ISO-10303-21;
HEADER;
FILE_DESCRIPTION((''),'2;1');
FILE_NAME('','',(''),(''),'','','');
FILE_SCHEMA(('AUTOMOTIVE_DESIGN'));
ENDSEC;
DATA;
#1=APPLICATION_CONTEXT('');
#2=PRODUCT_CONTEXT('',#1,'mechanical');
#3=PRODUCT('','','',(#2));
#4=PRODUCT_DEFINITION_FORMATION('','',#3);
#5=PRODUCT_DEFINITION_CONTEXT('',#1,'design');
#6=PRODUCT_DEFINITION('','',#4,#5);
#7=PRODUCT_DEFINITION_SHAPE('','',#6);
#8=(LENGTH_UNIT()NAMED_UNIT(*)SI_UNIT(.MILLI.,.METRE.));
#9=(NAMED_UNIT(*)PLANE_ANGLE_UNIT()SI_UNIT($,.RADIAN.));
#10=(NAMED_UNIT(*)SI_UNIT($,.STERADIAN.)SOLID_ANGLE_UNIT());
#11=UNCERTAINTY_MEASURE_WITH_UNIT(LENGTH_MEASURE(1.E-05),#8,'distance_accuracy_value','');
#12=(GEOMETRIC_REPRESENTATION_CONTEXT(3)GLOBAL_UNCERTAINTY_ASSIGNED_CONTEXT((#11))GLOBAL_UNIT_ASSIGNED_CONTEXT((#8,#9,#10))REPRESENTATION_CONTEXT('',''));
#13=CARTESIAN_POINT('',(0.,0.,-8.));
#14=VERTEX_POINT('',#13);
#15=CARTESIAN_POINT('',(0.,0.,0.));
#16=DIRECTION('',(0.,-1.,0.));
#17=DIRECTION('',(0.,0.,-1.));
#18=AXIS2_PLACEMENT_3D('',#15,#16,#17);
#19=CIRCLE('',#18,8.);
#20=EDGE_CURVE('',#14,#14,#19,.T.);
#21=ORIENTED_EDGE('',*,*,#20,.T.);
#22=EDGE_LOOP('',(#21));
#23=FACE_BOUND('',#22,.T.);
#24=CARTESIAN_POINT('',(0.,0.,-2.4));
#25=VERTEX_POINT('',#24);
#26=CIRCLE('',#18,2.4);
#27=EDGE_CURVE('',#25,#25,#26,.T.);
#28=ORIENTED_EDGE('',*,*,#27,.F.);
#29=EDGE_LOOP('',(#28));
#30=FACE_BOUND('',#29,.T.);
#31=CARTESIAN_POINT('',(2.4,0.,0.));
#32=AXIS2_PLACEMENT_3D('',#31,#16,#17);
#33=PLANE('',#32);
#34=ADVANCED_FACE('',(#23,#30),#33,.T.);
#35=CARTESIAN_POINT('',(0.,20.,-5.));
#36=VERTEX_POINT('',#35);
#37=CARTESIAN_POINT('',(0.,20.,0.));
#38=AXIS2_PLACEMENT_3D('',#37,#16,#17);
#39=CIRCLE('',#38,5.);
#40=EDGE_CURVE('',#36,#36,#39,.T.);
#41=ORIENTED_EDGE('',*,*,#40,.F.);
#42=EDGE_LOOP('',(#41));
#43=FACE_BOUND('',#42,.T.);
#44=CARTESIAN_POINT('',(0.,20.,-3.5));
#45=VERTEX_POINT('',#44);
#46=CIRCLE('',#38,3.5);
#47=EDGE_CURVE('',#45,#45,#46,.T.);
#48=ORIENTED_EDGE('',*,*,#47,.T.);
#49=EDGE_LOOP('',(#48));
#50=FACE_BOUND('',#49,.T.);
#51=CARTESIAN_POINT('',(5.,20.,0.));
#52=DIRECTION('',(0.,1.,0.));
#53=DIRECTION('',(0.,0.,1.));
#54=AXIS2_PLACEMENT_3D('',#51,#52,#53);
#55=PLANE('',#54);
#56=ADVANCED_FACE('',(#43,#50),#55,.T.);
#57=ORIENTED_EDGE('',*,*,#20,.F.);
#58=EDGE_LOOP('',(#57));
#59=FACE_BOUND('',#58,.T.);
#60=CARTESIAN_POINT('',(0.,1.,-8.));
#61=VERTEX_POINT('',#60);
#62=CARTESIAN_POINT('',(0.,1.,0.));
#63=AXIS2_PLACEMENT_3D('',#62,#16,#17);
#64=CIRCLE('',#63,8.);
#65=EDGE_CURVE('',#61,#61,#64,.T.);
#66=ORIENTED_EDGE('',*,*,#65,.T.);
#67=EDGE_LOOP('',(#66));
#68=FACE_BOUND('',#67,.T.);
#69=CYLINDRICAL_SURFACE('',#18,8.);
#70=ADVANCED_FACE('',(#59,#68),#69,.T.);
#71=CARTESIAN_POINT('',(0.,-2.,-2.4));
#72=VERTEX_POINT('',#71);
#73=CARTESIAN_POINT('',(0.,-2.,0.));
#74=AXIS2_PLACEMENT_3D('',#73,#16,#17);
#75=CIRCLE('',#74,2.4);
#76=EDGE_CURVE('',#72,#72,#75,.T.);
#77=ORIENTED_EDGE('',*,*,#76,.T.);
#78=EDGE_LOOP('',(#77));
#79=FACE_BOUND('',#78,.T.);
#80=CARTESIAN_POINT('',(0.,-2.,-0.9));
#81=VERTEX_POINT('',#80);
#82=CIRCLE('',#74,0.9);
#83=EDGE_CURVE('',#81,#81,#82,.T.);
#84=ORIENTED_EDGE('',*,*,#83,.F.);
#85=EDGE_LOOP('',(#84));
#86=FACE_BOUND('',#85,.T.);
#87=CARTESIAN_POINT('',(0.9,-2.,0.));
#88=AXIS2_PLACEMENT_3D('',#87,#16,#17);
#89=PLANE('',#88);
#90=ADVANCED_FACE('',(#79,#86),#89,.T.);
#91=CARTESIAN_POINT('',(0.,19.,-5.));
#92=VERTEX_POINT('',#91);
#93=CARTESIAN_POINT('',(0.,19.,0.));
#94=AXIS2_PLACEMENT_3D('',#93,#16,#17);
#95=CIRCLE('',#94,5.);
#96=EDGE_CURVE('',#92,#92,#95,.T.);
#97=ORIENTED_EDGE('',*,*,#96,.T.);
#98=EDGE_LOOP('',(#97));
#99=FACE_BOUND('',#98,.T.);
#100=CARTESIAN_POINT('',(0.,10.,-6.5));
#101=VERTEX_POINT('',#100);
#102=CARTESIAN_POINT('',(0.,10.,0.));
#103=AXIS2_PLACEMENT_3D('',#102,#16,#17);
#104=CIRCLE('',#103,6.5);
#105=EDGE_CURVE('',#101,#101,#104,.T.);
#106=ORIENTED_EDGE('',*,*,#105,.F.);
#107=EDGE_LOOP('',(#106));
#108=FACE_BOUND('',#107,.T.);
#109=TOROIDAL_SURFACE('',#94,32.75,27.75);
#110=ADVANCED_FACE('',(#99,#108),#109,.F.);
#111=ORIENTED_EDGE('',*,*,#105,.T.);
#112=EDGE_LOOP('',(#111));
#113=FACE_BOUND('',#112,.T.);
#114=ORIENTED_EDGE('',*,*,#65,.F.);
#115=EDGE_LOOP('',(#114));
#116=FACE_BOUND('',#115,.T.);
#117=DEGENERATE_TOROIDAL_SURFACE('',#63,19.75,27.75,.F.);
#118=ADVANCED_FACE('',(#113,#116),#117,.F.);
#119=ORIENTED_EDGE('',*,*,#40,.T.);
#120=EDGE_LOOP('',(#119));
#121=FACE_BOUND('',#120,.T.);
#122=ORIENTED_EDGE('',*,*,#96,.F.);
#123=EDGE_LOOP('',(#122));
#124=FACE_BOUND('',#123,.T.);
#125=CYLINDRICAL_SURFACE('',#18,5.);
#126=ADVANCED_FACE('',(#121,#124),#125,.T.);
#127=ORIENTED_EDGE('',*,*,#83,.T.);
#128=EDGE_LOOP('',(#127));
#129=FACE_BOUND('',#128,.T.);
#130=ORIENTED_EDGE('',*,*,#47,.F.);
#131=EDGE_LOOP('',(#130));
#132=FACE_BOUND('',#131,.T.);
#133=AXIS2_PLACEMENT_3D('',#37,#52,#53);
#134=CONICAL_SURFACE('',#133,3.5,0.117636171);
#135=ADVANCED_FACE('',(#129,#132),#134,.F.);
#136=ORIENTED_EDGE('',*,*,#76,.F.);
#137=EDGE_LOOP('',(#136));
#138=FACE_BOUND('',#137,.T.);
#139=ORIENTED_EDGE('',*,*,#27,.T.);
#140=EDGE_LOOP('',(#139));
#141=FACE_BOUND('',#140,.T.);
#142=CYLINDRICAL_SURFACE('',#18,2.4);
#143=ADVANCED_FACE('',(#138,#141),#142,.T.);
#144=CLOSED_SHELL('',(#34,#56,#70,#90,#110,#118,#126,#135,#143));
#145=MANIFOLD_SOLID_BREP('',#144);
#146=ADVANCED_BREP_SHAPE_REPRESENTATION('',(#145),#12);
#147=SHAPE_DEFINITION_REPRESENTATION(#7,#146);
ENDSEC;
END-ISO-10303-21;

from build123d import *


with BuildPart() as part:
    # Sketch1 → Revolve1 (revolve)
    with BuildSketch(Plane.XY):
        with BuildLine():
            Line((2.4, -2), (2.4, 0))
            Line((2.4, 0), (8, 0))
            Line((8, 0), (8, 1))
            ThreePointArc((8, 1), (7.622431386, 5.562071898), (6.5, 10))
            ThreePointArc((6.5, 10), (5.377568614, 14.437928102), (5, 19))
            Line((5, 19), (5, 20))
            Line((5, 20), (3.5, 20))
            Line((3.5, 20), (0.9, -2))
            Line((0.9, -2), (2.4, -2))
        make_face()
    revolve(axis=Axis((0, 0, 0), (0, 1, 0)))


solid = part.part
